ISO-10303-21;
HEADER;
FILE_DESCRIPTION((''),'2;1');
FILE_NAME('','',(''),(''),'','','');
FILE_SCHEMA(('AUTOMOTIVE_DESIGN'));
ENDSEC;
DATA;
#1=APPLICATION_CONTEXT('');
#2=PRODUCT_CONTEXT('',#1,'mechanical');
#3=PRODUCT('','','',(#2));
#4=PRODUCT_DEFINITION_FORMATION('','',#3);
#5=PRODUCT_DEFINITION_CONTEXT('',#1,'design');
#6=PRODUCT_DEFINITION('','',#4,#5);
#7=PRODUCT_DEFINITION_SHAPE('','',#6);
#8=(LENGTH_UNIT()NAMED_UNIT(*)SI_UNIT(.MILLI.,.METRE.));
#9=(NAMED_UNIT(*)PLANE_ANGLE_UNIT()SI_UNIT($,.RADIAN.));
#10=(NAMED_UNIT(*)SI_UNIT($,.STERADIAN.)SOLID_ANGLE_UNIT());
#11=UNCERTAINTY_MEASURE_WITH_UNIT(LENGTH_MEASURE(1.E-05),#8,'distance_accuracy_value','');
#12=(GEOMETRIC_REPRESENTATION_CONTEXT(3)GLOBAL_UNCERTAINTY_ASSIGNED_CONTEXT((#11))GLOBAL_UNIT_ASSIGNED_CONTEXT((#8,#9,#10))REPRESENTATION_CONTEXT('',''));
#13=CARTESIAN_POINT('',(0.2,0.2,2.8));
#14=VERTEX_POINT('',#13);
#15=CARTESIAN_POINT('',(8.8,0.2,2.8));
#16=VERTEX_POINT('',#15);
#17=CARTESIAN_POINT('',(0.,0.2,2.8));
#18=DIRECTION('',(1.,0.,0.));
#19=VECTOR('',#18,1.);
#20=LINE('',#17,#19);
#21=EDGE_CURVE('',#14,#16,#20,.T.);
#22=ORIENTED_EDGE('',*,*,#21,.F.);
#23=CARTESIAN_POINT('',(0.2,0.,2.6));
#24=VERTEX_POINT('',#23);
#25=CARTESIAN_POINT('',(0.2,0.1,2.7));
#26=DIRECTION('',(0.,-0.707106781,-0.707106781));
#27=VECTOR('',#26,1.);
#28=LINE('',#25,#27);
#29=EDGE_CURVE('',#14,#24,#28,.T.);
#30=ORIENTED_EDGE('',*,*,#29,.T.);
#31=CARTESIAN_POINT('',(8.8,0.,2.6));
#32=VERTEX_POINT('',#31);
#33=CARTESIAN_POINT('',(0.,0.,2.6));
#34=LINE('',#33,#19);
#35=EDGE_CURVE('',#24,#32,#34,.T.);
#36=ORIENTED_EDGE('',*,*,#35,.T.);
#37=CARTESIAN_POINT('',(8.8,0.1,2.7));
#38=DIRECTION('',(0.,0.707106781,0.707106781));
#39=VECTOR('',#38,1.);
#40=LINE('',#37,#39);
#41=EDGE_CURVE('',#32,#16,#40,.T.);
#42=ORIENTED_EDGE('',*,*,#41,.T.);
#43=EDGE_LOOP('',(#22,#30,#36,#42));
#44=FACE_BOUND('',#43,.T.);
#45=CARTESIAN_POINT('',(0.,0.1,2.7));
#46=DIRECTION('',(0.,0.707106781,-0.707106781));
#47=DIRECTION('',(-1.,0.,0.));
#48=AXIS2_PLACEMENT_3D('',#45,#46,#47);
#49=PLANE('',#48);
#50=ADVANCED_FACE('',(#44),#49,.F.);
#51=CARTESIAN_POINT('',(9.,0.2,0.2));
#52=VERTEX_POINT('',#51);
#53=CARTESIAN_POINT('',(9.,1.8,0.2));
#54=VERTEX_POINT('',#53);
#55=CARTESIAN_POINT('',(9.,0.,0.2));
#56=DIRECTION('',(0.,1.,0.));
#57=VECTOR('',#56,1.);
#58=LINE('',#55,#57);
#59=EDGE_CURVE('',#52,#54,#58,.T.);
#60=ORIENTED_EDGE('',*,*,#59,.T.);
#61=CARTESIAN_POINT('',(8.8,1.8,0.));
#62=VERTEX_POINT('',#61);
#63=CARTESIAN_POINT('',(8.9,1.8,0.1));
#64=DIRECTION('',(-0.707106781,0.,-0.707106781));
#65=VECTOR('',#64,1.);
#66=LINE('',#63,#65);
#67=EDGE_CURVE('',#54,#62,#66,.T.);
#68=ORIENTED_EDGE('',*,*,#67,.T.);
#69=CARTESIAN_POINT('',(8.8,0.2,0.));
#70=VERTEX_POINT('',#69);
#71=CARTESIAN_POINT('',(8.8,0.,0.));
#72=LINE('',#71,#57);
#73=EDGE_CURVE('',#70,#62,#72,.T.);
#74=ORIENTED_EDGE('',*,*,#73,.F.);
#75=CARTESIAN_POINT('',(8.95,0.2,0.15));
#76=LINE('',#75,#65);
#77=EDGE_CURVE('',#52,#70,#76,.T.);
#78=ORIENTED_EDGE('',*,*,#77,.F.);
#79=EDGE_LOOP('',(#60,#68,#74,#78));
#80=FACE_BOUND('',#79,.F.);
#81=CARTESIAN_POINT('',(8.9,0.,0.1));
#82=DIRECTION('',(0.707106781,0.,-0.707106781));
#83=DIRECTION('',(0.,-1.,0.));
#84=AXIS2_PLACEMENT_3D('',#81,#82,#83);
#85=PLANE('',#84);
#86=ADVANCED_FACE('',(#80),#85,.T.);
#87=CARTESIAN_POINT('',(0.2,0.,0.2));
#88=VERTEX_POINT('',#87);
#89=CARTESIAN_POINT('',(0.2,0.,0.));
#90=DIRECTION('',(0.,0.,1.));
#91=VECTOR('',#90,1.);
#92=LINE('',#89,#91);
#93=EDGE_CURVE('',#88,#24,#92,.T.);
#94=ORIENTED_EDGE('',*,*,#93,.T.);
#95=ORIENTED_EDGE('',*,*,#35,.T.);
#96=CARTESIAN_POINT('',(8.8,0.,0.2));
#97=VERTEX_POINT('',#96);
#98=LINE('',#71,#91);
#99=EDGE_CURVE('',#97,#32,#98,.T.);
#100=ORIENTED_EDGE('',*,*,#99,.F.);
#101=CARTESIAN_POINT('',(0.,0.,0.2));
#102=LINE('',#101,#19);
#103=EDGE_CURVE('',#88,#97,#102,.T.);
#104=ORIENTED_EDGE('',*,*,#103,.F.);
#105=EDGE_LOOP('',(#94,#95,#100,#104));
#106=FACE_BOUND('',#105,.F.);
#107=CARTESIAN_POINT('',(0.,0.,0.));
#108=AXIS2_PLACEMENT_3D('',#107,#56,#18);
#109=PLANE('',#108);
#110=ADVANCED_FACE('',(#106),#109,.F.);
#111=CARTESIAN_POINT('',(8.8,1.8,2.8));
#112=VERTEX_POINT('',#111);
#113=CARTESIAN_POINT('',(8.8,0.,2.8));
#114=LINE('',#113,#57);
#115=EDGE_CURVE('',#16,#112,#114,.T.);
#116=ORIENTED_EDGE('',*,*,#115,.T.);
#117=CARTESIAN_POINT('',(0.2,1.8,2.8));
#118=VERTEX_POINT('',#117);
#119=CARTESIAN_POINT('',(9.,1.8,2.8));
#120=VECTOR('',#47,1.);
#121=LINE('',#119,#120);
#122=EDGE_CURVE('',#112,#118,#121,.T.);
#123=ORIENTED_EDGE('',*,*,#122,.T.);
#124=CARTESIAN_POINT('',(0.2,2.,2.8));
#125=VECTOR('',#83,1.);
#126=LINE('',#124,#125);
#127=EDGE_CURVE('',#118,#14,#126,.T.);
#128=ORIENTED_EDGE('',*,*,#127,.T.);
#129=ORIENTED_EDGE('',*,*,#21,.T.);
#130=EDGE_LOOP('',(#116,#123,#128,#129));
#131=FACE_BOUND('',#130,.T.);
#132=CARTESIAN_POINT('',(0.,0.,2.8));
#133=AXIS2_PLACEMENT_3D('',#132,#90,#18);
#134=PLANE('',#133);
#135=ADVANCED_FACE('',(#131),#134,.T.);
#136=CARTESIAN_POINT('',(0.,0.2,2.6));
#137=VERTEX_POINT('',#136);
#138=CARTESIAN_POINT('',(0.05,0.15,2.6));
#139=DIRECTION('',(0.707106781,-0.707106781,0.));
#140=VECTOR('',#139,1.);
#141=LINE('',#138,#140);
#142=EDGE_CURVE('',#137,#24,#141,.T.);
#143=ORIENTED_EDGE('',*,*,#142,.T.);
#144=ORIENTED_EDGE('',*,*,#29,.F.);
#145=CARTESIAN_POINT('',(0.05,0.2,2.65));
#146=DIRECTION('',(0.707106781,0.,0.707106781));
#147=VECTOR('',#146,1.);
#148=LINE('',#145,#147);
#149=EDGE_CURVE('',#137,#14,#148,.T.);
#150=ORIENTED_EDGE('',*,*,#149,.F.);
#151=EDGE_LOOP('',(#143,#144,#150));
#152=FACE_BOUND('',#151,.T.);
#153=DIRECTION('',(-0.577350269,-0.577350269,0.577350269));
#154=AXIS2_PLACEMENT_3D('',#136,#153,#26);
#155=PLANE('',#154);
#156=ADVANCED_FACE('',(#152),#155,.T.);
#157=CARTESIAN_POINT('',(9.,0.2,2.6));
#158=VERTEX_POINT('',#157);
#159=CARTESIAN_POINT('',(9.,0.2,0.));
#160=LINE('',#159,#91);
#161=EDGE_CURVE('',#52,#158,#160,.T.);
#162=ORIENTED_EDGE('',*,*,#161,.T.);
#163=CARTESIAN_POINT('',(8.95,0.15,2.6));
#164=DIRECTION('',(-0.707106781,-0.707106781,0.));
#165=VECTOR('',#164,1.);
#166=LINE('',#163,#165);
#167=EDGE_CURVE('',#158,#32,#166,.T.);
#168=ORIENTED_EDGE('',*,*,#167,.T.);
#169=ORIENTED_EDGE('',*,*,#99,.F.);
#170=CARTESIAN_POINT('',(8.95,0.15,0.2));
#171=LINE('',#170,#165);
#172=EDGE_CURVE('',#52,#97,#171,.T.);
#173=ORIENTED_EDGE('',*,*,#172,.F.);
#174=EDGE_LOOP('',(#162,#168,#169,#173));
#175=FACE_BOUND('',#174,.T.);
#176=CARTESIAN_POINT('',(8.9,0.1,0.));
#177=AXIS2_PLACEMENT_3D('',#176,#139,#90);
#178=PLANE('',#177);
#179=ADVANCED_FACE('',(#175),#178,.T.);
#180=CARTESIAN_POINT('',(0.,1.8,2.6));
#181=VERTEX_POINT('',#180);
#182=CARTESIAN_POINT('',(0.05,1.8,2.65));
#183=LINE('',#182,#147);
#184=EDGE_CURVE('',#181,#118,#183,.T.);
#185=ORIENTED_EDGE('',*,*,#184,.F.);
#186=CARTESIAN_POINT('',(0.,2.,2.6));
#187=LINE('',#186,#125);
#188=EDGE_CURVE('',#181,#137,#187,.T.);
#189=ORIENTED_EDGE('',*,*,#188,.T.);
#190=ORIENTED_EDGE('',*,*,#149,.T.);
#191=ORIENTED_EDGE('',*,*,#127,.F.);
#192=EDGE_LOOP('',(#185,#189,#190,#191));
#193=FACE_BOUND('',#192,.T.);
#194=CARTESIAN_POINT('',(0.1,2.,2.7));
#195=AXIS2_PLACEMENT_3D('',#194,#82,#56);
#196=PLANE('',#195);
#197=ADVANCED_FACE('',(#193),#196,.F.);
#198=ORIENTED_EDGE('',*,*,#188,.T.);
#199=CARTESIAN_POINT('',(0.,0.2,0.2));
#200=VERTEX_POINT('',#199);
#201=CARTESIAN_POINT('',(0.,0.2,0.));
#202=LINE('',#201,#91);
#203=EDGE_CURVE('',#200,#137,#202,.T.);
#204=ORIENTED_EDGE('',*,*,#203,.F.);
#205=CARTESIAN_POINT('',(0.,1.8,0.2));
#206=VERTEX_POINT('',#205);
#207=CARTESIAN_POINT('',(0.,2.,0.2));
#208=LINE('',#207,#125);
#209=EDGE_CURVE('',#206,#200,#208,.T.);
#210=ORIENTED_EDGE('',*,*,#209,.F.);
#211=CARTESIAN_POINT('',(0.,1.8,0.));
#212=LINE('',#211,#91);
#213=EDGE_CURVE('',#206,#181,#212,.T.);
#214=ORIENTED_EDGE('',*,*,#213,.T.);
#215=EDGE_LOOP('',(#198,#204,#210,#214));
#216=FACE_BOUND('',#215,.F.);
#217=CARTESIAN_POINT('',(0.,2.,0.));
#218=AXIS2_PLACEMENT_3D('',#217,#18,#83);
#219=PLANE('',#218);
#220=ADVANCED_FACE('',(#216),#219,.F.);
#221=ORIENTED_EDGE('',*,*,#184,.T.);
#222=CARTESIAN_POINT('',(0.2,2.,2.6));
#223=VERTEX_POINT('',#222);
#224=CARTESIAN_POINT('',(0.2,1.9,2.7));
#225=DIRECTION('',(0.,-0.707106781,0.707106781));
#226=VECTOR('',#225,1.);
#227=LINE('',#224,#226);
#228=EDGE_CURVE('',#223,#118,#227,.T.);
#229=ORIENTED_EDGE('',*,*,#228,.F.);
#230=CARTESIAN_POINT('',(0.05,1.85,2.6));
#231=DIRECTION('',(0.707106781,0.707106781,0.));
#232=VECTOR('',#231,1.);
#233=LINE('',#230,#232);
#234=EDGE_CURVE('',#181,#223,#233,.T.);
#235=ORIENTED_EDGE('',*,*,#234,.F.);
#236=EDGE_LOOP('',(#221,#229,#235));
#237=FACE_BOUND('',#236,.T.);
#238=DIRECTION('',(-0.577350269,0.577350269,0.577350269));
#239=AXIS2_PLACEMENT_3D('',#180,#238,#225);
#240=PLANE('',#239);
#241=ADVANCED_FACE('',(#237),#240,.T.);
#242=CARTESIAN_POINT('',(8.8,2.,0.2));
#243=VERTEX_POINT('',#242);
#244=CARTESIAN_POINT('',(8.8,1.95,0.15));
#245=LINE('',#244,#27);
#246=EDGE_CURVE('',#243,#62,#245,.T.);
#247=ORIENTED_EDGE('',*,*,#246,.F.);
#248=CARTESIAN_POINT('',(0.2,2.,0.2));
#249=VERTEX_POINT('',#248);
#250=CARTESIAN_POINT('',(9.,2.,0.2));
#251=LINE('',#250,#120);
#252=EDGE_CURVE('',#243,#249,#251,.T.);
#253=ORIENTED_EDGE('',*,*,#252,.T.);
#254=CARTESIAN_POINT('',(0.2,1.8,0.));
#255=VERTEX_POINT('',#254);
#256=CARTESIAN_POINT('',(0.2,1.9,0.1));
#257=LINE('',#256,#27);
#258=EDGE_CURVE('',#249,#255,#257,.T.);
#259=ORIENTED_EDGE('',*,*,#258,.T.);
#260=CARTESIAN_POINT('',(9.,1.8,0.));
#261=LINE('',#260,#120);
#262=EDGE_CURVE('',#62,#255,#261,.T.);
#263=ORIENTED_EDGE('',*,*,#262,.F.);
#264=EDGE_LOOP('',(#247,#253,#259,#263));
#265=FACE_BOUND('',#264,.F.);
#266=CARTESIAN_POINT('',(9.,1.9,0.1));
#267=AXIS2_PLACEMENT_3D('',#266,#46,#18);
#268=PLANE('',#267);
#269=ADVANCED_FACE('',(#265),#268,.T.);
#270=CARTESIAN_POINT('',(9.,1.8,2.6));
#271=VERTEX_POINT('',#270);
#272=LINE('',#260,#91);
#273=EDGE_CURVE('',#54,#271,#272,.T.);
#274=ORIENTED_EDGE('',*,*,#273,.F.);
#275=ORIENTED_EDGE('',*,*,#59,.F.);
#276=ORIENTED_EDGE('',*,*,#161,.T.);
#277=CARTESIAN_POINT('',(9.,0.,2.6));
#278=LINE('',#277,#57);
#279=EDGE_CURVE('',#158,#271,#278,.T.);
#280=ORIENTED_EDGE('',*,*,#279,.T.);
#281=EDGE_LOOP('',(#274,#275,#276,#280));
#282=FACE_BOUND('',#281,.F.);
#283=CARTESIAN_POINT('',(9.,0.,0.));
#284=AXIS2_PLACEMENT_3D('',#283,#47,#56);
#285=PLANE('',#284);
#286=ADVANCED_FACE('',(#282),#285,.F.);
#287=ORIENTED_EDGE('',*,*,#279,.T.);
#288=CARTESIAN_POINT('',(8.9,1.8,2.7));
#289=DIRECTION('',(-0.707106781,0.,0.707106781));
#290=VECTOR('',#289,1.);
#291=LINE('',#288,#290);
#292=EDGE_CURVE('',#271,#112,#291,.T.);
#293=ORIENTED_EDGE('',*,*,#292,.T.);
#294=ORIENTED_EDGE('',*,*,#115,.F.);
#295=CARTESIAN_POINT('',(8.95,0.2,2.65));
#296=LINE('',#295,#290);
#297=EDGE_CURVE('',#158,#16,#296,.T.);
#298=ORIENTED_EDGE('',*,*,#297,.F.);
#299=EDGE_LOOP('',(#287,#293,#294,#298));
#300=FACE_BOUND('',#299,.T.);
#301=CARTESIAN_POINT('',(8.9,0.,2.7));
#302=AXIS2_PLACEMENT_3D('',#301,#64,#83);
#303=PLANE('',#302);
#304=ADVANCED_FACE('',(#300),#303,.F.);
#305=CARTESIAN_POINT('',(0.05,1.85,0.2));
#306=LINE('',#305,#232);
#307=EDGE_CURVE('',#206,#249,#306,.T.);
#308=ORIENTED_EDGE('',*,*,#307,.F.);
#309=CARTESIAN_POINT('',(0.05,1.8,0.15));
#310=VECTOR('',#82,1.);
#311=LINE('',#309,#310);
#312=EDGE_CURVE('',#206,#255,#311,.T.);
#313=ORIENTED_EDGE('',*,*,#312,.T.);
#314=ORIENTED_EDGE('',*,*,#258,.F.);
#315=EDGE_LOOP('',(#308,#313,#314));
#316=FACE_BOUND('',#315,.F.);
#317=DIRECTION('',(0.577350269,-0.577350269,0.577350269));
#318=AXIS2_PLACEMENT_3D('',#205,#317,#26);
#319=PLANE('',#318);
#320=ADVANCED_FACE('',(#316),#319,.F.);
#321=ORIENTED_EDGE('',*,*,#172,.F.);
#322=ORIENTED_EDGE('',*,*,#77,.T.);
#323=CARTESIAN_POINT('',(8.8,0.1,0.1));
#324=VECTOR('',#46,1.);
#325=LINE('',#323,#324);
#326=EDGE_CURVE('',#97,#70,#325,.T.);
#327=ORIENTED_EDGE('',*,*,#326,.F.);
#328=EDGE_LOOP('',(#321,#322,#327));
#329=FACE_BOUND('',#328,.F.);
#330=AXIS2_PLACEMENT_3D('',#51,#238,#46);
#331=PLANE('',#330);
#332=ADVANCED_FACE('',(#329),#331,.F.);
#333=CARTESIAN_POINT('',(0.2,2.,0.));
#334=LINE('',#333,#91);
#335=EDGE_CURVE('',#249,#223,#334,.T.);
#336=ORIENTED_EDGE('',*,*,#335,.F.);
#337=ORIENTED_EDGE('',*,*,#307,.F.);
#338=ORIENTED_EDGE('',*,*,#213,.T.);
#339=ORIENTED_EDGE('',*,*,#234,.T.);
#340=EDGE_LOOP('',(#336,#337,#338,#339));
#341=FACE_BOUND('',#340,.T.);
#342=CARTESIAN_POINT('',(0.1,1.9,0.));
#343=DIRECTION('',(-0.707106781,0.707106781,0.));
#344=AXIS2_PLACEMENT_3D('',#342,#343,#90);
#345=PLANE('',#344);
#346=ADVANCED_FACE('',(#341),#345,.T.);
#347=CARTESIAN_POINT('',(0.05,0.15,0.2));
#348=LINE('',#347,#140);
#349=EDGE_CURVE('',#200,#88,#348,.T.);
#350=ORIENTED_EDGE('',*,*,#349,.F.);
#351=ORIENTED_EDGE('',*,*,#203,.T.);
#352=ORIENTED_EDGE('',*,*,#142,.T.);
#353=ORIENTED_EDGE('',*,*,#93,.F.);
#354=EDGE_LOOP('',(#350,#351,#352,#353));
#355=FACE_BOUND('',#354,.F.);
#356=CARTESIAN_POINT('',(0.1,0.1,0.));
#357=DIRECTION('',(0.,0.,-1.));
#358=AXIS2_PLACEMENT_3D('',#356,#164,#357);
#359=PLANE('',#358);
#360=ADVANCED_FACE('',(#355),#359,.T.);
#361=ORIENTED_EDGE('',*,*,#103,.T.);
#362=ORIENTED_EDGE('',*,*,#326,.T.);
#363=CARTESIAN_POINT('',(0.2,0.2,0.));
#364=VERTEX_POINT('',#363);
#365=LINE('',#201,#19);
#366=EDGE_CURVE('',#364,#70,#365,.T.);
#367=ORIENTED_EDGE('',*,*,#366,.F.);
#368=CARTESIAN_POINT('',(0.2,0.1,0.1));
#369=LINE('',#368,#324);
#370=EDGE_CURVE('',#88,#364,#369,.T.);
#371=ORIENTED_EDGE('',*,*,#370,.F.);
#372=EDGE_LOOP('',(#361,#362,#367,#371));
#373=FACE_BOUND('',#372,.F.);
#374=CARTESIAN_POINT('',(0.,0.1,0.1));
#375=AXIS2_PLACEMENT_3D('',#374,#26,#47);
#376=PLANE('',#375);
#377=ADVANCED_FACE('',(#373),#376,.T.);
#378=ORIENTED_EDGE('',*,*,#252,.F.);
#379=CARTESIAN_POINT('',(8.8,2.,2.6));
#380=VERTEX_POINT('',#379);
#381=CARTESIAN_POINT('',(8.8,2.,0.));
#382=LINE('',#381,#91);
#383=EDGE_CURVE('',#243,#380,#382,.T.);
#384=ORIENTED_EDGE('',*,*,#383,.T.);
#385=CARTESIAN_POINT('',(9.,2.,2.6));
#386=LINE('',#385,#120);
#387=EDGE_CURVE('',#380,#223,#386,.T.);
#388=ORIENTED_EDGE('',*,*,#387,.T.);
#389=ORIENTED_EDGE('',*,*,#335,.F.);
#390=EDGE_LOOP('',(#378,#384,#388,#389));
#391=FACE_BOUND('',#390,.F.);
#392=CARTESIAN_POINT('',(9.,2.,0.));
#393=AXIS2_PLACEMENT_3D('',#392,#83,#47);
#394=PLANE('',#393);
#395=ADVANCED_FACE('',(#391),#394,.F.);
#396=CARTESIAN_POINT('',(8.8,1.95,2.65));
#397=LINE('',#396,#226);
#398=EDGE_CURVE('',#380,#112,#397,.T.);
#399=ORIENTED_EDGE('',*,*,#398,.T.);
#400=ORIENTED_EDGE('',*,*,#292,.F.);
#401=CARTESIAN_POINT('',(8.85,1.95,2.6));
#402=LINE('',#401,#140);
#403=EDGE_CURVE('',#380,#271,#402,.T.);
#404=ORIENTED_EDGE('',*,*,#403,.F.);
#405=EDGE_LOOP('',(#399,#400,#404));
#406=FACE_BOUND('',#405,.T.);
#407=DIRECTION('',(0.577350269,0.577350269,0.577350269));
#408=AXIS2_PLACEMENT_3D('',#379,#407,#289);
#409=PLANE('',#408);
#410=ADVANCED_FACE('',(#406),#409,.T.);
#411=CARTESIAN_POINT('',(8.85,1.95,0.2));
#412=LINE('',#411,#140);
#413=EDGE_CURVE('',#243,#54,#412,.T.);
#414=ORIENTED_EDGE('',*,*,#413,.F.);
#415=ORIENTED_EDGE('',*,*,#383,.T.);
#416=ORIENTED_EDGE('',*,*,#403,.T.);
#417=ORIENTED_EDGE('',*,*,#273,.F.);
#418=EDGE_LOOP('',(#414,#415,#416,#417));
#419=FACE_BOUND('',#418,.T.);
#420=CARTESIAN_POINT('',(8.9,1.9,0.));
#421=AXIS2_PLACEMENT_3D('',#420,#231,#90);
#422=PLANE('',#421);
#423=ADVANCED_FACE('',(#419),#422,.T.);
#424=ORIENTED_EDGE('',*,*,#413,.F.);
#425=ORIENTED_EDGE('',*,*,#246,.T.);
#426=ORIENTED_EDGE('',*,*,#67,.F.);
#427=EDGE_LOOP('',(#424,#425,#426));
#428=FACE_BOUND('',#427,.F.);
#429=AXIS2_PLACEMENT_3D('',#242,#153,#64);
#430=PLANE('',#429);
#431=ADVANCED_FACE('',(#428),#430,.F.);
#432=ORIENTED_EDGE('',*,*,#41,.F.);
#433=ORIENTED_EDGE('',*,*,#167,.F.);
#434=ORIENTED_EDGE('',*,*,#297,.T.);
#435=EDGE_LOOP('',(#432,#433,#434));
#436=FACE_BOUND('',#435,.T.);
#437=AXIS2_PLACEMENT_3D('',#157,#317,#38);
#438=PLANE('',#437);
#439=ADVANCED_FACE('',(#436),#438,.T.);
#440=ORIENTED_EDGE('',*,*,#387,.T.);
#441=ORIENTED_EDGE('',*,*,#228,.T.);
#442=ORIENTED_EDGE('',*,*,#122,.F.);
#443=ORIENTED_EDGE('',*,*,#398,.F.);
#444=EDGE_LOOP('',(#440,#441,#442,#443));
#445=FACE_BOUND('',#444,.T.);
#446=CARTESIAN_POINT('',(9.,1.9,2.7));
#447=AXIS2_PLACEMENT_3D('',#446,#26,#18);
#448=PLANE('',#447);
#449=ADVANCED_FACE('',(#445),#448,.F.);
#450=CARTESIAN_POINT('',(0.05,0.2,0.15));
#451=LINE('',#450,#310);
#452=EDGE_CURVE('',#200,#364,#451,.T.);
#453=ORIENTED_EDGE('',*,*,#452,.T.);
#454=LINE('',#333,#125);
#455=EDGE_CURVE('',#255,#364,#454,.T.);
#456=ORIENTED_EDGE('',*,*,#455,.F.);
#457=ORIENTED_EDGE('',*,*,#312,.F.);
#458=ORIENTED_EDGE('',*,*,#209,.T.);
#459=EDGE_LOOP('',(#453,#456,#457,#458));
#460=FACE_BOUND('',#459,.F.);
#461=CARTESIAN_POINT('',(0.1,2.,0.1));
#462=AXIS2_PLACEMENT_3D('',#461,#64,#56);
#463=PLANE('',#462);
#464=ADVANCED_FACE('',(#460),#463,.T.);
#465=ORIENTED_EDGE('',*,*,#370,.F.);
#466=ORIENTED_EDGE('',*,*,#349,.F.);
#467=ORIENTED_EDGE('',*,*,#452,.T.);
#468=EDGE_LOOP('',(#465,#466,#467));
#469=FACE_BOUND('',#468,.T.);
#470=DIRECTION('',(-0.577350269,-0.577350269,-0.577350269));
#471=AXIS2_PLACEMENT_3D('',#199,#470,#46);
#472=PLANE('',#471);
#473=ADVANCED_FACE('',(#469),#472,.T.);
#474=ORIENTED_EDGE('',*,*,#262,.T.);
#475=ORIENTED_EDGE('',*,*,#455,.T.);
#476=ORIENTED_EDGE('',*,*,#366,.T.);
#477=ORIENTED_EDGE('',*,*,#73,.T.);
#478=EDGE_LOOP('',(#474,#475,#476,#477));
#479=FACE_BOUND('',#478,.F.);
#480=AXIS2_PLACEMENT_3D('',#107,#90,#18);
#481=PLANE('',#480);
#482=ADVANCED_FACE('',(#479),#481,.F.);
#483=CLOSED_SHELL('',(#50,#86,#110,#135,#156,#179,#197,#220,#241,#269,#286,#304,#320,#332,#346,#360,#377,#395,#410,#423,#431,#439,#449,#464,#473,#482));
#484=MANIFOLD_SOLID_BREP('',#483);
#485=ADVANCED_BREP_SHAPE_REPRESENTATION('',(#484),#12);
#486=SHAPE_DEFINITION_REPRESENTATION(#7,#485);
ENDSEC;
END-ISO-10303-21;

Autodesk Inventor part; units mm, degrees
ref_plane "YZ Plane" through (0, 0, 0) normal (1, 0, 0) x (0, 1, 0)
ref_plane "XZ Plane" through (0, 0, 0) normal (0, 1, 0) x (-1, 0, 0)
ref_plane "XY Plane" through (0, 0, 0) normal (0, 0, 1) x (1, 0, 0)
sketch "Sketch1" plane through (0, 0, 0) normal (0, 0, 1) x (1, 0, 0)
  line L0 (0, 0) -> (9, 0)
  line L1 (9, 0) -> (9, 2)
  line L2 (9, 2) -> (0, 2)
  line L3 (0, 2) -> (0, 0)
  dimension "d0" = 9
  dimension "d1" = 2
extrude "Extrusion1" add sketch "Sketch1" along normal blind 2.8
chamfer "Chamfer1" distance 0.2 angle 45 12 edges at (4.5, 0, 2.8) (4.5, 0, 0) (9, 0, 1.4) (9, 1, 2.8) (9, 1, 0) (9, 2, 1.4) (4.5, 2, 2.8) (4.5, 2, 0) (0, 2, 1.4) (0, 1, 2.8) (0, 0, 1.4) (0, 1, 0)
properties part number "spie" material "Stainless Steel"
